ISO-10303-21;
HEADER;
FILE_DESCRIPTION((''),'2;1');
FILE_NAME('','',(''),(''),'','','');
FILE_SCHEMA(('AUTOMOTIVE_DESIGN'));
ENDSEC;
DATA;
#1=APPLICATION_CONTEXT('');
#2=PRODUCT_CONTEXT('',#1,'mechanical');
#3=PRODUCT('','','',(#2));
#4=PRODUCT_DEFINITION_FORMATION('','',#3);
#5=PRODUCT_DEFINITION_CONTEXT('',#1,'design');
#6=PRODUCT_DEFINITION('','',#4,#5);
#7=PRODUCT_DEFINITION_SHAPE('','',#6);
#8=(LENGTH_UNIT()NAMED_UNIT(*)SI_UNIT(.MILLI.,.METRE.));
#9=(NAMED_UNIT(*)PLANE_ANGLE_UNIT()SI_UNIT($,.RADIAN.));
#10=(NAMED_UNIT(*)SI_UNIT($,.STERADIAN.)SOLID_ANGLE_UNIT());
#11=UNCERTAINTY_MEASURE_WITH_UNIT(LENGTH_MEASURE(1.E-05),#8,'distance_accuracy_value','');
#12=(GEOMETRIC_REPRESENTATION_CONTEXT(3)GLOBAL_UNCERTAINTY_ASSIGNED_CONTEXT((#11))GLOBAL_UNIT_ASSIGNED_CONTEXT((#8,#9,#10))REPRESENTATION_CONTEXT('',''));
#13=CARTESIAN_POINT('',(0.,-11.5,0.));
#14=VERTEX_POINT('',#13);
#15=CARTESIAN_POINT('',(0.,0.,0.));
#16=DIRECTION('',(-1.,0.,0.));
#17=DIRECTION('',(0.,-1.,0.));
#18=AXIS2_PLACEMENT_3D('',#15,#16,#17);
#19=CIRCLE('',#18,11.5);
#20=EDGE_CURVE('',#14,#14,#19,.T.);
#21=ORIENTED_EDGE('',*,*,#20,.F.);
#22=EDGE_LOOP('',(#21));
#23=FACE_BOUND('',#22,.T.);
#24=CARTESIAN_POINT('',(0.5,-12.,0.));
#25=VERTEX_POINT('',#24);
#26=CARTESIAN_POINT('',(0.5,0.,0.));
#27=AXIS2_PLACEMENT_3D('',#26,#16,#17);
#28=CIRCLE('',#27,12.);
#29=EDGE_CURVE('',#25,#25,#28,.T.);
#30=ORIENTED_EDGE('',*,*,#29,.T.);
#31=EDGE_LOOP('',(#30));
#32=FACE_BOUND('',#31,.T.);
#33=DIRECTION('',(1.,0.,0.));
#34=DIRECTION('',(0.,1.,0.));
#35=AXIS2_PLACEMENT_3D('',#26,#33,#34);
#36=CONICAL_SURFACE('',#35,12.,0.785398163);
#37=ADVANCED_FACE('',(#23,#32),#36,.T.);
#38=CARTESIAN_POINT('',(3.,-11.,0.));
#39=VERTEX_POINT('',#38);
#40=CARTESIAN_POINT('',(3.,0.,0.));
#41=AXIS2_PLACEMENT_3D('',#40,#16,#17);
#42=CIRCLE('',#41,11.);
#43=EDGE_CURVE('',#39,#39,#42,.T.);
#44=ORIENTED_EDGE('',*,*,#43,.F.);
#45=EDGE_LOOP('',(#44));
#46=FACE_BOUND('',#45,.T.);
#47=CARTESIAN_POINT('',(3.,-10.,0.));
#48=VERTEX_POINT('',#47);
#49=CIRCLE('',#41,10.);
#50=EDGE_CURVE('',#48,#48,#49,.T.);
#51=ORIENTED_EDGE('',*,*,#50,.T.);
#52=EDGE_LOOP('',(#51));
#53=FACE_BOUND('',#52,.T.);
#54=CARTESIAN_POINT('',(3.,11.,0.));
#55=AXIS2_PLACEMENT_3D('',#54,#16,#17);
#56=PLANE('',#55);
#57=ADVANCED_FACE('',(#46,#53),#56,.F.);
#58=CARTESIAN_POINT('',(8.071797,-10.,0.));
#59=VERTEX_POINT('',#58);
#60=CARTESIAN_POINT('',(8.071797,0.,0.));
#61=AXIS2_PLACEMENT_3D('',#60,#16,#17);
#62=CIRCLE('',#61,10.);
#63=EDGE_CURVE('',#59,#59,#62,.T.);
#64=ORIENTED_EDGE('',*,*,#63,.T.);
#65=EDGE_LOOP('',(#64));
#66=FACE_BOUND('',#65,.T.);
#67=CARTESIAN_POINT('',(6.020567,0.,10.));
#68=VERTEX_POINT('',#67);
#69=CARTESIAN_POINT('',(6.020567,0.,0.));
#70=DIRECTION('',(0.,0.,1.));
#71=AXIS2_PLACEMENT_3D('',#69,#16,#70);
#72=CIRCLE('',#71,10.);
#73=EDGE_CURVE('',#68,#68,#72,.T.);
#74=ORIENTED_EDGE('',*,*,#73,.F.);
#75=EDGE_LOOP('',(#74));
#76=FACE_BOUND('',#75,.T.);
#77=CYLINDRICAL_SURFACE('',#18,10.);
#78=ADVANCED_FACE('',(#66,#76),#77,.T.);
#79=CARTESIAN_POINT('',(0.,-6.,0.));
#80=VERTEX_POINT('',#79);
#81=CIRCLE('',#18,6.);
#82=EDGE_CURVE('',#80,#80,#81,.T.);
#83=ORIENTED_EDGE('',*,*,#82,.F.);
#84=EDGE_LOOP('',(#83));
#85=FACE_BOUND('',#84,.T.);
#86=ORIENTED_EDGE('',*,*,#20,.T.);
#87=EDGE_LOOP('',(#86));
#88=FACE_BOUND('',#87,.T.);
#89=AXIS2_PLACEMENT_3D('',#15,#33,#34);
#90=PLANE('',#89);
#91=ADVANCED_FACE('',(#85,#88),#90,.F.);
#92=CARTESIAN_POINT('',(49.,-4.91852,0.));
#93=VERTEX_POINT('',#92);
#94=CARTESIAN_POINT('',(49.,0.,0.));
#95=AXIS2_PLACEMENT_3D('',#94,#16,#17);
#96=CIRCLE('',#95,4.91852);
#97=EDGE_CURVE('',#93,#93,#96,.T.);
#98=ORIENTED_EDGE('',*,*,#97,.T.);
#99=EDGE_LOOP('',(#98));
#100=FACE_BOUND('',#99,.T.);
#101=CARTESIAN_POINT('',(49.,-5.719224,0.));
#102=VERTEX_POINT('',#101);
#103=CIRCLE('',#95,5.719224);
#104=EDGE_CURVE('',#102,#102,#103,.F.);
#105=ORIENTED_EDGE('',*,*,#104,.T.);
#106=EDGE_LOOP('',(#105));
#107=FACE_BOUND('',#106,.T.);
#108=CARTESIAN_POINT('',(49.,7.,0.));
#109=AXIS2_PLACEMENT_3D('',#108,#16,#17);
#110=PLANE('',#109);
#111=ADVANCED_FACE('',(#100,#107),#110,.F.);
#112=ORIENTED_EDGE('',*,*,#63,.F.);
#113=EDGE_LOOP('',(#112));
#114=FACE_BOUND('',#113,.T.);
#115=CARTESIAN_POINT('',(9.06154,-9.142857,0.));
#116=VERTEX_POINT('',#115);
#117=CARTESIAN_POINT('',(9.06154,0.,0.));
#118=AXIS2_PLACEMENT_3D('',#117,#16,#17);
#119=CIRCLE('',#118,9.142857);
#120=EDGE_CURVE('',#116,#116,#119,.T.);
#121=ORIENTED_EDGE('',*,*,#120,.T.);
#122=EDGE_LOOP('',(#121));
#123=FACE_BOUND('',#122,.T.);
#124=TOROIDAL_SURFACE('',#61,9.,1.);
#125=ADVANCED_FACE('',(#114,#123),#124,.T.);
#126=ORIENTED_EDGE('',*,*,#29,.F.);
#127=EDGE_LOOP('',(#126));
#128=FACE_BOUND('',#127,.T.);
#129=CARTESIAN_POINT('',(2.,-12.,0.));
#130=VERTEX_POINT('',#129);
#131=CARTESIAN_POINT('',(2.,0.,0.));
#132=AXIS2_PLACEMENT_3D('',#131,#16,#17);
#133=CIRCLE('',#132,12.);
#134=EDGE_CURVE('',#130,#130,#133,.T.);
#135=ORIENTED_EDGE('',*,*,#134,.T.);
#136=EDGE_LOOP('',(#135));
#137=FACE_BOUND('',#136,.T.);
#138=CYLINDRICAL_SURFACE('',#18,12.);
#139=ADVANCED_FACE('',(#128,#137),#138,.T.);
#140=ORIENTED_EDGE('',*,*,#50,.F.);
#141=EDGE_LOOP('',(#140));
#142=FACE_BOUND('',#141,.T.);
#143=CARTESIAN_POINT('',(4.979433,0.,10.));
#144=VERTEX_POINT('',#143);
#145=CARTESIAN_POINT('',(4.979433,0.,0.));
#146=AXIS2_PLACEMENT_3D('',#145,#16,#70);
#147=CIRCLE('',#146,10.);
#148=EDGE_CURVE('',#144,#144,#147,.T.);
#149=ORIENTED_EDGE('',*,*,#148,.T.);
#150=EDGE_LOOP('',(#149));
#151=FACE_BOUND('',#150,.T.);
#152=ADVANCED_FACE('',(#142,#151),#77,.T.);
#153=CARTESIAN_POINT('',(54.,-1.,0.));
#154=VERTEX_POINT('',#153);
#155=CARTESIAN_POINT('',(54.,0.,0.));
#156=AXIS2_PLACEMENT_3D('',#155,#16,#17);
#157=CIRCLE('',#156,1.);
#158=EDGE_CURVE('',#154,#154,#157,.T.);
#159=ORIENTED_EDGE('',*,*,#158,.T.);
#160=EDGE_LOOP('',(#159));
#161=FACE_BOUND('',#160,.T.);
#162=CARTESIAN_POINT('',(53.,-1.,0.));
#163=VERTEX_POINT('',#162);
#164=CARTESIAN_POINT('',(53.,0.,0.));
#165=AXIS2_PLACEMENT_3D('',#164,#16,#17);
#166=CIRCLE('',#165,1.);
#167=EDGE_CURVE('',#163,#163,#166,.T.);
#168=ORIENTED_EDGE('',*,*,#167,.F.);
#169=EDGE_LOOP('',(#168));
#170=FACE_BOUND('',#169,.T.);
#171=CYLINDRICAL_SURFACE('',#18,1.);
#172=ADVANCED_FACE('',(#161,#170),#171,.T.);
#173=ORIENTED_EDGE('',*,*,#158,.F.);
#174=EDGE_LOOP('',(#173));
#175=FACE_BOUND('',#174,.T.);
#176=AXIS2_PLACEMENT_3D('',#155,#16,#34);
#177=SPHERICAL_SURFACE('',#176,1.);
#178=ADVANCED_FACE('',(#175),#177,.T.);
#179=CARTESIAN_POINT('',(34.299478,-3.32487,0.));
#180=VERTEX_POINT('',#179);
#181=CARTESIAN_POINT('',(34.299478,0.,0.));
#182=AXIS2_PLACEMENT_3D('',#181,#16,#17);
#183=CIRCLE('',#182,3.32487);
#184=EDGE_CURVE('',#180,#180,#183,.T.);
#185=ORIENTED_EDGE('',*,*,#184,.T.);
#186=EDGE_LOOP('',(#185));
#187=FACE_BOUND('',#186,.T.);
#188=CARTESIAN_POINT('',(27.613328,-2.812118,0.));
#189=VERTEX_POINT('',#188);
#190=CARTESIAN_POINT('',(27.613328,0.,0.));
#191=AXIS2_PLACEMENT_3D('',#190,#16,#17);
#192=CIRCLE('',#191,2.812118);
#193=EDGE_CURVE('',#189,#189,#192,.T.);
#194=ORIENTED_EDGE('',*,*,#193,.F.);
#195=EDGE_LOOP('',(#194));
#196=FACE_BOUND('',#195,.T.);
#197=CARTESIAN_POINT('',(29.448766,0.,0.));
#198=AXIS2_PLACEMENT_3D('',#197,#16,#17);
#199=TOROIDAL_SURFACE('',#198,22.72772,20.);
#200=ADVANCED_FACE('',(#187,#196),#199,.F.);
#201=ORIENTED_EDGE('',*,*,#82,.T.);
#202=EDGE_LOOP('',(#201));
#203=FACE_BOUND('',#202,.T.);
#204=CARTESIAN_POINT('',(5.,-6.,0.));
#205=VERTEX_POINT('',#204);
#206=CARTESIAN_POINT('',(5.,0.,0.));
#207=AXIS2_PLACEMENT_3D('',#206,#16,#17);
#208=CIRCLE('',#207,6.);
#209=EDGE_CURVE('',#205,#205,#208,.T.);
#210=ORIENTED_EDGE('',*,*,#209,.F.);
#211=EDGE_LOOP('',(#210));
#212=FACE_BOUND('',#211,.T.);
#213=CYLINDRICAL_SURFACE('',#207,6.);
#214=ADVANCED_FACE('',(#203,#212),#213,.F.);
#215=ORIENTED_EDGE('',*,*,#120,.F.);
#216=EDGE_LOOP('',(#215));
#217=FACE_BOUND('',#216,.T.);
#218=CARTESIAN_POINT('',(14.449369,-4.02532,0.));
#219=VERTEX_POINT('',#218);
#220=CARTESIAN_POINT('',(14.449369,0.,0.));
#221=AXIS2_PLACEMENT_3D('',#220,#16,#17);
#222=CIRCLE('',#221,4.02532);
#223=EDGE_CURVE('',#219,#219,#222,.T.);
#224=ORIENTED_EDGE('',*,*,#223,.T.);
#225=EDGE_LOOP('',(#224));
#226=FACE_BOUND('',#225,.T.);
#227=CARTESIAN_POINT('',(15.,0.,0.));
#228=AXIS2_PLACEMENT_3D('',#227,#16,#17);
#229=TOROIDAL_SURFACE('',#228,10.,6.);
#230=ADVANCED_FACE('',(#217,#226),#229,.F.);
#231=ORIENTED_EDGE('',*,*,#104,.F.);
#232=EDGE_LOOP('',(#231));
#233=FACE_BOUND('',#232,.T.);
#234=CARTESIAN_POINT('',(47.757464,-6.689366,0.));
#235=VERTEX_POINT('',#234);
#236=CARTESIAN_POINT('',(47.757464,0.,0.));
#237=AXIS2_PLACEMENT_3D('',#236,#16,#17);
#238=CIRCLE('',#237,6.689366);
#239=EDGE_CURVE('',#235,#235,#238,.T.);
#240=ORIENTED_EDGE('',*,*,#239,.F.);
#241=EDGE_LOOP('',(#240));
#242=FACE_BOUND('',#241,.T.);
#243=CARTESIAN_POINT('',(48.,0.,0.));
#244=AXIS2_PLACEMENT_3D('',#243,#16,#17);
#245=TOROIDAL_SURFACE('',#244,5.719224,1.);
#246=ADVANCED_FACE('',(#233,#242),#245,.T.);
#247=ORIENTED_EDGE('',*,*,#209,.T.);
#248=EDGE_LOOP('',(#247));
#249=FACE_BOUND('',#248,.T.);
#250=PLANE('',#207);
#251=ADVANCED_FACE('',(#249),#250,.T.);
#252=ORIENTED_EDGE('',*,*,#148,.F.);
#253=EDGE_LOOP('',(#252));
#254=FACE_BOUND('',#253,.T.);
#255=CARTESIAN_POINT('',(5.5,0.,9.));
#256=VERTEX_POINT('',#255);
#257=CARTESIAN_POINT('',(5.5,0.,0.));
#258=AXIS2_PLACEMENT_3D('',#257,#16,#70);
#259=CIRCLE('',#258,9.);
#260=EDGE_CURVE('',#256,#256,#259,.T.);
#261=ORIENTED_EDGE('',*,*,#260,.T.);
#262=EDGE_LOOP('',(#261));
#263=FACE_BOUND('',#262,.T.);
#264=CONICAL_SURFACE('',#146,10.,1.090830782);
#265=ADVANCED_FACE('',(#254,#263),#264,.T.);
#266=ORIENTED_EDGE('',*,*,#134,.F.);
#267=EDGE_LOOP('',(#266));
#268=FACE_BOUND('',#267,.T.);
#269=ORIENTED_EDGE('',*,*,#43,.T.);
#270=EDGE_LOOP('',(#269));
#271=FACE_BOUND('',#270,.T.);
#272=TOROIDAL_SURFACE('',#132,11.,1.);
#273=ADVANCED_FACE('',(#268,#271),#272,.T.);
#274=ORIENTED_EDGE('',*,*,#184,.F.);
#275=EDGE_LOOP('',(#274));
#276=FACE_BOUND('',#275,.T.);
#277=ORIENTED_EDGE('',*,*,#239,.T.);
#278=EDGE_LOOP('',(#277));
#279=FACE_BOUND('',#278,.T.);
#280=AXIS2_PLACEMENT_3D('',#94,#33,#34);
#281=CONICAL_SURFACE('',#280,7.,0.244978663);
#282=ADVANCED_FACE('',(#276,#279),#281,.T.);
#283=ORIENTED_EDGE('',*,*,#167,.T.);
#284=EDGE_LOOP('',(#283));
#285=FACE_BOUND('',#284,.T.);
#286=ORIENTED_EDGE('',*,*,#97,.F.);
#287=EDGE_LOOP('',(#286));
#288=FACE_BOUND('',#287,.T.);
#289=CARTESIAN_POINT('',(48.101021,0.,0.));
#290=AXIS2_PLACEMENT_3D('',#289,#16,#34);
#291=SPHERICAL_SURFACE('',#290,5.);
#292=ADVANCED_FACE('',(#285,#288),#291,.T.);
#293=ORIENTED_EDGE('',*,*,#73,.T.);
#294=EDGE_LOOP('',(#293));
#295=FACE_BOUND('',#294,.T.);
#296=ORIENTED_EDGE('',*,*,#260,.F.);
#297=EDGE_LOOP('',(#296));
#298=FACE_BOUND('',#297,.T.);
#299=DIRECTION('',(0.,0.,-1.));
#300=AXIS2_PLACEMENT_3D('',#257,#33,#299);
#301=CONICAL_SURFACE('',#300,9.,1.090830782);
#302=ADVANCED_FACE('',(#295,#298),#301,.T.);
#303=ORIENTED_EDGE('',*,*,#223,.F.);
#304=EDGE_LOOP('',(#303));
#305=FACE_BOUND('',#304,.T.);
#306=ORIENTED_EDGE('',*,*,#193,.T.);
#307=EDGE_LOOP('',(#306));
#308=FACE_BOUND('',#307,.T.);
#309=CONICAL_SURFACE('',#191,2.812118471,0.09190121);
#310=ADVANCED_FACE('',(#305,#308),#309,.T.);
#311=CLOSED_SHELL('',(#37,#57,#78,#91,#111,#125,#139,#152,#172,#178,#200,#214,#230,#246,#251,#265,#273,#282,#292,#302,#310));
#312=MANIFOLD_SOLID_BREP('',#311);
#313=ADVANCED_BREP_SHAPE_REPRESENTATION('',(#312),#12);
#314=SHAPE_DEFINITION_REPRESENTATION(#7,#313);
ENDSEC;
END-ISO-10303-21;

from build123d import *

# Parameters (mm, degrees)
SKETCH3_R          = 6
CUT_EXTRUDE1_DEPTH = 5
FILLET1_R          = 1


with BuildPart() as part:
    # Sketch1 → Revolve1 (revolve)
    with BuildSketch(Plane.XY, mode=Mode.PRIVATE) as revolve1_sk:
        with BuildLine():
            Line((0, 0), (0, 11.5))
            Line((0, 11.5), (0.5, 12))
            Line((0.5, 12), (2, 12))
            ThreePointArc((2, 12), (2.707106781, 11.707106781), (3, 11))
            Line((3, 11), (3, 10))
            Line((3, 10), (8.07179677, 10))
            ThreePointArc((8.07179677, 10), (8.72645044, 9.755928946), (9.061540088, 9.142857143))
            ThreePointArc((9.061540088, 9.142857143), (10.867885048, 5.649640702), (14.449368595, 4.025319669))
            Line((14.449368595, 4.025319669), (27.613327767, 2.812118471))
            ThreePointArc((27.613327767, 2.812118471), (30.978046162, 2.786272748), (34.299478284, 3.324869571))
            Line((34.299478284, 3.324869571), (49, 7))
            Line((49, 7), (49, 4.918519684))
            ThreePointArc((49, 4.918519684), (51.599989103, 3.571724907), (53, 1))
            Line((53, 1), (54, 1))
            ThreePointArc((54, 1), (54.707106781, 0.707106781), (55, 0))
            Line((55, 0), (0, 0))
        make_face()
    revolve(revolve1_sk.sketch.rotate(Axis((0, 0, 0), (1, 0, 0)), 180), axis=Axis((0, 0, 0), (1, 0, 0)))  # turned: the seam where the file's is

    # Sketch2 → Cut-Revolve1 (revolve, cut)
    with BuildSketch(Plane.XY, mode=Mode.PRIVATE) as cut_revolve1_sk:
        Polygon((4.979432949, 10), (5.5, 9), (6.020567051, 10), align=None)
    revolve(cut_revolve1_sk.sketch.rotate(Axis((0, 0, 0), (1, 0, 0)), 180), axis=Axis((0, 0, 0), (1, 0, 0)), mode=Mode.SUBTRACT)  # turned: the seam where the file's is

    # Sketch3 → Cut-Extrude1 (cut)
    with BuildSketch(Plane.ZY):
        with Locations(Location((0, 0, 0), (0, 0, 270))):  # turned: the seam where the file's is
            Circle(SKETCH3_R)
    extrude(amount=-CUT_EXTRUDE1_DEPTH, mode=Mode.SUBTRACT)

    # Fillet1
    fillet1_edges = [part.edges().sort_by_distance(p)[0] for p in [
        (49, 7, 0),
    ]]
    fillet(fillet1_edges, radius=FILLET1_R)


solid = part.part
